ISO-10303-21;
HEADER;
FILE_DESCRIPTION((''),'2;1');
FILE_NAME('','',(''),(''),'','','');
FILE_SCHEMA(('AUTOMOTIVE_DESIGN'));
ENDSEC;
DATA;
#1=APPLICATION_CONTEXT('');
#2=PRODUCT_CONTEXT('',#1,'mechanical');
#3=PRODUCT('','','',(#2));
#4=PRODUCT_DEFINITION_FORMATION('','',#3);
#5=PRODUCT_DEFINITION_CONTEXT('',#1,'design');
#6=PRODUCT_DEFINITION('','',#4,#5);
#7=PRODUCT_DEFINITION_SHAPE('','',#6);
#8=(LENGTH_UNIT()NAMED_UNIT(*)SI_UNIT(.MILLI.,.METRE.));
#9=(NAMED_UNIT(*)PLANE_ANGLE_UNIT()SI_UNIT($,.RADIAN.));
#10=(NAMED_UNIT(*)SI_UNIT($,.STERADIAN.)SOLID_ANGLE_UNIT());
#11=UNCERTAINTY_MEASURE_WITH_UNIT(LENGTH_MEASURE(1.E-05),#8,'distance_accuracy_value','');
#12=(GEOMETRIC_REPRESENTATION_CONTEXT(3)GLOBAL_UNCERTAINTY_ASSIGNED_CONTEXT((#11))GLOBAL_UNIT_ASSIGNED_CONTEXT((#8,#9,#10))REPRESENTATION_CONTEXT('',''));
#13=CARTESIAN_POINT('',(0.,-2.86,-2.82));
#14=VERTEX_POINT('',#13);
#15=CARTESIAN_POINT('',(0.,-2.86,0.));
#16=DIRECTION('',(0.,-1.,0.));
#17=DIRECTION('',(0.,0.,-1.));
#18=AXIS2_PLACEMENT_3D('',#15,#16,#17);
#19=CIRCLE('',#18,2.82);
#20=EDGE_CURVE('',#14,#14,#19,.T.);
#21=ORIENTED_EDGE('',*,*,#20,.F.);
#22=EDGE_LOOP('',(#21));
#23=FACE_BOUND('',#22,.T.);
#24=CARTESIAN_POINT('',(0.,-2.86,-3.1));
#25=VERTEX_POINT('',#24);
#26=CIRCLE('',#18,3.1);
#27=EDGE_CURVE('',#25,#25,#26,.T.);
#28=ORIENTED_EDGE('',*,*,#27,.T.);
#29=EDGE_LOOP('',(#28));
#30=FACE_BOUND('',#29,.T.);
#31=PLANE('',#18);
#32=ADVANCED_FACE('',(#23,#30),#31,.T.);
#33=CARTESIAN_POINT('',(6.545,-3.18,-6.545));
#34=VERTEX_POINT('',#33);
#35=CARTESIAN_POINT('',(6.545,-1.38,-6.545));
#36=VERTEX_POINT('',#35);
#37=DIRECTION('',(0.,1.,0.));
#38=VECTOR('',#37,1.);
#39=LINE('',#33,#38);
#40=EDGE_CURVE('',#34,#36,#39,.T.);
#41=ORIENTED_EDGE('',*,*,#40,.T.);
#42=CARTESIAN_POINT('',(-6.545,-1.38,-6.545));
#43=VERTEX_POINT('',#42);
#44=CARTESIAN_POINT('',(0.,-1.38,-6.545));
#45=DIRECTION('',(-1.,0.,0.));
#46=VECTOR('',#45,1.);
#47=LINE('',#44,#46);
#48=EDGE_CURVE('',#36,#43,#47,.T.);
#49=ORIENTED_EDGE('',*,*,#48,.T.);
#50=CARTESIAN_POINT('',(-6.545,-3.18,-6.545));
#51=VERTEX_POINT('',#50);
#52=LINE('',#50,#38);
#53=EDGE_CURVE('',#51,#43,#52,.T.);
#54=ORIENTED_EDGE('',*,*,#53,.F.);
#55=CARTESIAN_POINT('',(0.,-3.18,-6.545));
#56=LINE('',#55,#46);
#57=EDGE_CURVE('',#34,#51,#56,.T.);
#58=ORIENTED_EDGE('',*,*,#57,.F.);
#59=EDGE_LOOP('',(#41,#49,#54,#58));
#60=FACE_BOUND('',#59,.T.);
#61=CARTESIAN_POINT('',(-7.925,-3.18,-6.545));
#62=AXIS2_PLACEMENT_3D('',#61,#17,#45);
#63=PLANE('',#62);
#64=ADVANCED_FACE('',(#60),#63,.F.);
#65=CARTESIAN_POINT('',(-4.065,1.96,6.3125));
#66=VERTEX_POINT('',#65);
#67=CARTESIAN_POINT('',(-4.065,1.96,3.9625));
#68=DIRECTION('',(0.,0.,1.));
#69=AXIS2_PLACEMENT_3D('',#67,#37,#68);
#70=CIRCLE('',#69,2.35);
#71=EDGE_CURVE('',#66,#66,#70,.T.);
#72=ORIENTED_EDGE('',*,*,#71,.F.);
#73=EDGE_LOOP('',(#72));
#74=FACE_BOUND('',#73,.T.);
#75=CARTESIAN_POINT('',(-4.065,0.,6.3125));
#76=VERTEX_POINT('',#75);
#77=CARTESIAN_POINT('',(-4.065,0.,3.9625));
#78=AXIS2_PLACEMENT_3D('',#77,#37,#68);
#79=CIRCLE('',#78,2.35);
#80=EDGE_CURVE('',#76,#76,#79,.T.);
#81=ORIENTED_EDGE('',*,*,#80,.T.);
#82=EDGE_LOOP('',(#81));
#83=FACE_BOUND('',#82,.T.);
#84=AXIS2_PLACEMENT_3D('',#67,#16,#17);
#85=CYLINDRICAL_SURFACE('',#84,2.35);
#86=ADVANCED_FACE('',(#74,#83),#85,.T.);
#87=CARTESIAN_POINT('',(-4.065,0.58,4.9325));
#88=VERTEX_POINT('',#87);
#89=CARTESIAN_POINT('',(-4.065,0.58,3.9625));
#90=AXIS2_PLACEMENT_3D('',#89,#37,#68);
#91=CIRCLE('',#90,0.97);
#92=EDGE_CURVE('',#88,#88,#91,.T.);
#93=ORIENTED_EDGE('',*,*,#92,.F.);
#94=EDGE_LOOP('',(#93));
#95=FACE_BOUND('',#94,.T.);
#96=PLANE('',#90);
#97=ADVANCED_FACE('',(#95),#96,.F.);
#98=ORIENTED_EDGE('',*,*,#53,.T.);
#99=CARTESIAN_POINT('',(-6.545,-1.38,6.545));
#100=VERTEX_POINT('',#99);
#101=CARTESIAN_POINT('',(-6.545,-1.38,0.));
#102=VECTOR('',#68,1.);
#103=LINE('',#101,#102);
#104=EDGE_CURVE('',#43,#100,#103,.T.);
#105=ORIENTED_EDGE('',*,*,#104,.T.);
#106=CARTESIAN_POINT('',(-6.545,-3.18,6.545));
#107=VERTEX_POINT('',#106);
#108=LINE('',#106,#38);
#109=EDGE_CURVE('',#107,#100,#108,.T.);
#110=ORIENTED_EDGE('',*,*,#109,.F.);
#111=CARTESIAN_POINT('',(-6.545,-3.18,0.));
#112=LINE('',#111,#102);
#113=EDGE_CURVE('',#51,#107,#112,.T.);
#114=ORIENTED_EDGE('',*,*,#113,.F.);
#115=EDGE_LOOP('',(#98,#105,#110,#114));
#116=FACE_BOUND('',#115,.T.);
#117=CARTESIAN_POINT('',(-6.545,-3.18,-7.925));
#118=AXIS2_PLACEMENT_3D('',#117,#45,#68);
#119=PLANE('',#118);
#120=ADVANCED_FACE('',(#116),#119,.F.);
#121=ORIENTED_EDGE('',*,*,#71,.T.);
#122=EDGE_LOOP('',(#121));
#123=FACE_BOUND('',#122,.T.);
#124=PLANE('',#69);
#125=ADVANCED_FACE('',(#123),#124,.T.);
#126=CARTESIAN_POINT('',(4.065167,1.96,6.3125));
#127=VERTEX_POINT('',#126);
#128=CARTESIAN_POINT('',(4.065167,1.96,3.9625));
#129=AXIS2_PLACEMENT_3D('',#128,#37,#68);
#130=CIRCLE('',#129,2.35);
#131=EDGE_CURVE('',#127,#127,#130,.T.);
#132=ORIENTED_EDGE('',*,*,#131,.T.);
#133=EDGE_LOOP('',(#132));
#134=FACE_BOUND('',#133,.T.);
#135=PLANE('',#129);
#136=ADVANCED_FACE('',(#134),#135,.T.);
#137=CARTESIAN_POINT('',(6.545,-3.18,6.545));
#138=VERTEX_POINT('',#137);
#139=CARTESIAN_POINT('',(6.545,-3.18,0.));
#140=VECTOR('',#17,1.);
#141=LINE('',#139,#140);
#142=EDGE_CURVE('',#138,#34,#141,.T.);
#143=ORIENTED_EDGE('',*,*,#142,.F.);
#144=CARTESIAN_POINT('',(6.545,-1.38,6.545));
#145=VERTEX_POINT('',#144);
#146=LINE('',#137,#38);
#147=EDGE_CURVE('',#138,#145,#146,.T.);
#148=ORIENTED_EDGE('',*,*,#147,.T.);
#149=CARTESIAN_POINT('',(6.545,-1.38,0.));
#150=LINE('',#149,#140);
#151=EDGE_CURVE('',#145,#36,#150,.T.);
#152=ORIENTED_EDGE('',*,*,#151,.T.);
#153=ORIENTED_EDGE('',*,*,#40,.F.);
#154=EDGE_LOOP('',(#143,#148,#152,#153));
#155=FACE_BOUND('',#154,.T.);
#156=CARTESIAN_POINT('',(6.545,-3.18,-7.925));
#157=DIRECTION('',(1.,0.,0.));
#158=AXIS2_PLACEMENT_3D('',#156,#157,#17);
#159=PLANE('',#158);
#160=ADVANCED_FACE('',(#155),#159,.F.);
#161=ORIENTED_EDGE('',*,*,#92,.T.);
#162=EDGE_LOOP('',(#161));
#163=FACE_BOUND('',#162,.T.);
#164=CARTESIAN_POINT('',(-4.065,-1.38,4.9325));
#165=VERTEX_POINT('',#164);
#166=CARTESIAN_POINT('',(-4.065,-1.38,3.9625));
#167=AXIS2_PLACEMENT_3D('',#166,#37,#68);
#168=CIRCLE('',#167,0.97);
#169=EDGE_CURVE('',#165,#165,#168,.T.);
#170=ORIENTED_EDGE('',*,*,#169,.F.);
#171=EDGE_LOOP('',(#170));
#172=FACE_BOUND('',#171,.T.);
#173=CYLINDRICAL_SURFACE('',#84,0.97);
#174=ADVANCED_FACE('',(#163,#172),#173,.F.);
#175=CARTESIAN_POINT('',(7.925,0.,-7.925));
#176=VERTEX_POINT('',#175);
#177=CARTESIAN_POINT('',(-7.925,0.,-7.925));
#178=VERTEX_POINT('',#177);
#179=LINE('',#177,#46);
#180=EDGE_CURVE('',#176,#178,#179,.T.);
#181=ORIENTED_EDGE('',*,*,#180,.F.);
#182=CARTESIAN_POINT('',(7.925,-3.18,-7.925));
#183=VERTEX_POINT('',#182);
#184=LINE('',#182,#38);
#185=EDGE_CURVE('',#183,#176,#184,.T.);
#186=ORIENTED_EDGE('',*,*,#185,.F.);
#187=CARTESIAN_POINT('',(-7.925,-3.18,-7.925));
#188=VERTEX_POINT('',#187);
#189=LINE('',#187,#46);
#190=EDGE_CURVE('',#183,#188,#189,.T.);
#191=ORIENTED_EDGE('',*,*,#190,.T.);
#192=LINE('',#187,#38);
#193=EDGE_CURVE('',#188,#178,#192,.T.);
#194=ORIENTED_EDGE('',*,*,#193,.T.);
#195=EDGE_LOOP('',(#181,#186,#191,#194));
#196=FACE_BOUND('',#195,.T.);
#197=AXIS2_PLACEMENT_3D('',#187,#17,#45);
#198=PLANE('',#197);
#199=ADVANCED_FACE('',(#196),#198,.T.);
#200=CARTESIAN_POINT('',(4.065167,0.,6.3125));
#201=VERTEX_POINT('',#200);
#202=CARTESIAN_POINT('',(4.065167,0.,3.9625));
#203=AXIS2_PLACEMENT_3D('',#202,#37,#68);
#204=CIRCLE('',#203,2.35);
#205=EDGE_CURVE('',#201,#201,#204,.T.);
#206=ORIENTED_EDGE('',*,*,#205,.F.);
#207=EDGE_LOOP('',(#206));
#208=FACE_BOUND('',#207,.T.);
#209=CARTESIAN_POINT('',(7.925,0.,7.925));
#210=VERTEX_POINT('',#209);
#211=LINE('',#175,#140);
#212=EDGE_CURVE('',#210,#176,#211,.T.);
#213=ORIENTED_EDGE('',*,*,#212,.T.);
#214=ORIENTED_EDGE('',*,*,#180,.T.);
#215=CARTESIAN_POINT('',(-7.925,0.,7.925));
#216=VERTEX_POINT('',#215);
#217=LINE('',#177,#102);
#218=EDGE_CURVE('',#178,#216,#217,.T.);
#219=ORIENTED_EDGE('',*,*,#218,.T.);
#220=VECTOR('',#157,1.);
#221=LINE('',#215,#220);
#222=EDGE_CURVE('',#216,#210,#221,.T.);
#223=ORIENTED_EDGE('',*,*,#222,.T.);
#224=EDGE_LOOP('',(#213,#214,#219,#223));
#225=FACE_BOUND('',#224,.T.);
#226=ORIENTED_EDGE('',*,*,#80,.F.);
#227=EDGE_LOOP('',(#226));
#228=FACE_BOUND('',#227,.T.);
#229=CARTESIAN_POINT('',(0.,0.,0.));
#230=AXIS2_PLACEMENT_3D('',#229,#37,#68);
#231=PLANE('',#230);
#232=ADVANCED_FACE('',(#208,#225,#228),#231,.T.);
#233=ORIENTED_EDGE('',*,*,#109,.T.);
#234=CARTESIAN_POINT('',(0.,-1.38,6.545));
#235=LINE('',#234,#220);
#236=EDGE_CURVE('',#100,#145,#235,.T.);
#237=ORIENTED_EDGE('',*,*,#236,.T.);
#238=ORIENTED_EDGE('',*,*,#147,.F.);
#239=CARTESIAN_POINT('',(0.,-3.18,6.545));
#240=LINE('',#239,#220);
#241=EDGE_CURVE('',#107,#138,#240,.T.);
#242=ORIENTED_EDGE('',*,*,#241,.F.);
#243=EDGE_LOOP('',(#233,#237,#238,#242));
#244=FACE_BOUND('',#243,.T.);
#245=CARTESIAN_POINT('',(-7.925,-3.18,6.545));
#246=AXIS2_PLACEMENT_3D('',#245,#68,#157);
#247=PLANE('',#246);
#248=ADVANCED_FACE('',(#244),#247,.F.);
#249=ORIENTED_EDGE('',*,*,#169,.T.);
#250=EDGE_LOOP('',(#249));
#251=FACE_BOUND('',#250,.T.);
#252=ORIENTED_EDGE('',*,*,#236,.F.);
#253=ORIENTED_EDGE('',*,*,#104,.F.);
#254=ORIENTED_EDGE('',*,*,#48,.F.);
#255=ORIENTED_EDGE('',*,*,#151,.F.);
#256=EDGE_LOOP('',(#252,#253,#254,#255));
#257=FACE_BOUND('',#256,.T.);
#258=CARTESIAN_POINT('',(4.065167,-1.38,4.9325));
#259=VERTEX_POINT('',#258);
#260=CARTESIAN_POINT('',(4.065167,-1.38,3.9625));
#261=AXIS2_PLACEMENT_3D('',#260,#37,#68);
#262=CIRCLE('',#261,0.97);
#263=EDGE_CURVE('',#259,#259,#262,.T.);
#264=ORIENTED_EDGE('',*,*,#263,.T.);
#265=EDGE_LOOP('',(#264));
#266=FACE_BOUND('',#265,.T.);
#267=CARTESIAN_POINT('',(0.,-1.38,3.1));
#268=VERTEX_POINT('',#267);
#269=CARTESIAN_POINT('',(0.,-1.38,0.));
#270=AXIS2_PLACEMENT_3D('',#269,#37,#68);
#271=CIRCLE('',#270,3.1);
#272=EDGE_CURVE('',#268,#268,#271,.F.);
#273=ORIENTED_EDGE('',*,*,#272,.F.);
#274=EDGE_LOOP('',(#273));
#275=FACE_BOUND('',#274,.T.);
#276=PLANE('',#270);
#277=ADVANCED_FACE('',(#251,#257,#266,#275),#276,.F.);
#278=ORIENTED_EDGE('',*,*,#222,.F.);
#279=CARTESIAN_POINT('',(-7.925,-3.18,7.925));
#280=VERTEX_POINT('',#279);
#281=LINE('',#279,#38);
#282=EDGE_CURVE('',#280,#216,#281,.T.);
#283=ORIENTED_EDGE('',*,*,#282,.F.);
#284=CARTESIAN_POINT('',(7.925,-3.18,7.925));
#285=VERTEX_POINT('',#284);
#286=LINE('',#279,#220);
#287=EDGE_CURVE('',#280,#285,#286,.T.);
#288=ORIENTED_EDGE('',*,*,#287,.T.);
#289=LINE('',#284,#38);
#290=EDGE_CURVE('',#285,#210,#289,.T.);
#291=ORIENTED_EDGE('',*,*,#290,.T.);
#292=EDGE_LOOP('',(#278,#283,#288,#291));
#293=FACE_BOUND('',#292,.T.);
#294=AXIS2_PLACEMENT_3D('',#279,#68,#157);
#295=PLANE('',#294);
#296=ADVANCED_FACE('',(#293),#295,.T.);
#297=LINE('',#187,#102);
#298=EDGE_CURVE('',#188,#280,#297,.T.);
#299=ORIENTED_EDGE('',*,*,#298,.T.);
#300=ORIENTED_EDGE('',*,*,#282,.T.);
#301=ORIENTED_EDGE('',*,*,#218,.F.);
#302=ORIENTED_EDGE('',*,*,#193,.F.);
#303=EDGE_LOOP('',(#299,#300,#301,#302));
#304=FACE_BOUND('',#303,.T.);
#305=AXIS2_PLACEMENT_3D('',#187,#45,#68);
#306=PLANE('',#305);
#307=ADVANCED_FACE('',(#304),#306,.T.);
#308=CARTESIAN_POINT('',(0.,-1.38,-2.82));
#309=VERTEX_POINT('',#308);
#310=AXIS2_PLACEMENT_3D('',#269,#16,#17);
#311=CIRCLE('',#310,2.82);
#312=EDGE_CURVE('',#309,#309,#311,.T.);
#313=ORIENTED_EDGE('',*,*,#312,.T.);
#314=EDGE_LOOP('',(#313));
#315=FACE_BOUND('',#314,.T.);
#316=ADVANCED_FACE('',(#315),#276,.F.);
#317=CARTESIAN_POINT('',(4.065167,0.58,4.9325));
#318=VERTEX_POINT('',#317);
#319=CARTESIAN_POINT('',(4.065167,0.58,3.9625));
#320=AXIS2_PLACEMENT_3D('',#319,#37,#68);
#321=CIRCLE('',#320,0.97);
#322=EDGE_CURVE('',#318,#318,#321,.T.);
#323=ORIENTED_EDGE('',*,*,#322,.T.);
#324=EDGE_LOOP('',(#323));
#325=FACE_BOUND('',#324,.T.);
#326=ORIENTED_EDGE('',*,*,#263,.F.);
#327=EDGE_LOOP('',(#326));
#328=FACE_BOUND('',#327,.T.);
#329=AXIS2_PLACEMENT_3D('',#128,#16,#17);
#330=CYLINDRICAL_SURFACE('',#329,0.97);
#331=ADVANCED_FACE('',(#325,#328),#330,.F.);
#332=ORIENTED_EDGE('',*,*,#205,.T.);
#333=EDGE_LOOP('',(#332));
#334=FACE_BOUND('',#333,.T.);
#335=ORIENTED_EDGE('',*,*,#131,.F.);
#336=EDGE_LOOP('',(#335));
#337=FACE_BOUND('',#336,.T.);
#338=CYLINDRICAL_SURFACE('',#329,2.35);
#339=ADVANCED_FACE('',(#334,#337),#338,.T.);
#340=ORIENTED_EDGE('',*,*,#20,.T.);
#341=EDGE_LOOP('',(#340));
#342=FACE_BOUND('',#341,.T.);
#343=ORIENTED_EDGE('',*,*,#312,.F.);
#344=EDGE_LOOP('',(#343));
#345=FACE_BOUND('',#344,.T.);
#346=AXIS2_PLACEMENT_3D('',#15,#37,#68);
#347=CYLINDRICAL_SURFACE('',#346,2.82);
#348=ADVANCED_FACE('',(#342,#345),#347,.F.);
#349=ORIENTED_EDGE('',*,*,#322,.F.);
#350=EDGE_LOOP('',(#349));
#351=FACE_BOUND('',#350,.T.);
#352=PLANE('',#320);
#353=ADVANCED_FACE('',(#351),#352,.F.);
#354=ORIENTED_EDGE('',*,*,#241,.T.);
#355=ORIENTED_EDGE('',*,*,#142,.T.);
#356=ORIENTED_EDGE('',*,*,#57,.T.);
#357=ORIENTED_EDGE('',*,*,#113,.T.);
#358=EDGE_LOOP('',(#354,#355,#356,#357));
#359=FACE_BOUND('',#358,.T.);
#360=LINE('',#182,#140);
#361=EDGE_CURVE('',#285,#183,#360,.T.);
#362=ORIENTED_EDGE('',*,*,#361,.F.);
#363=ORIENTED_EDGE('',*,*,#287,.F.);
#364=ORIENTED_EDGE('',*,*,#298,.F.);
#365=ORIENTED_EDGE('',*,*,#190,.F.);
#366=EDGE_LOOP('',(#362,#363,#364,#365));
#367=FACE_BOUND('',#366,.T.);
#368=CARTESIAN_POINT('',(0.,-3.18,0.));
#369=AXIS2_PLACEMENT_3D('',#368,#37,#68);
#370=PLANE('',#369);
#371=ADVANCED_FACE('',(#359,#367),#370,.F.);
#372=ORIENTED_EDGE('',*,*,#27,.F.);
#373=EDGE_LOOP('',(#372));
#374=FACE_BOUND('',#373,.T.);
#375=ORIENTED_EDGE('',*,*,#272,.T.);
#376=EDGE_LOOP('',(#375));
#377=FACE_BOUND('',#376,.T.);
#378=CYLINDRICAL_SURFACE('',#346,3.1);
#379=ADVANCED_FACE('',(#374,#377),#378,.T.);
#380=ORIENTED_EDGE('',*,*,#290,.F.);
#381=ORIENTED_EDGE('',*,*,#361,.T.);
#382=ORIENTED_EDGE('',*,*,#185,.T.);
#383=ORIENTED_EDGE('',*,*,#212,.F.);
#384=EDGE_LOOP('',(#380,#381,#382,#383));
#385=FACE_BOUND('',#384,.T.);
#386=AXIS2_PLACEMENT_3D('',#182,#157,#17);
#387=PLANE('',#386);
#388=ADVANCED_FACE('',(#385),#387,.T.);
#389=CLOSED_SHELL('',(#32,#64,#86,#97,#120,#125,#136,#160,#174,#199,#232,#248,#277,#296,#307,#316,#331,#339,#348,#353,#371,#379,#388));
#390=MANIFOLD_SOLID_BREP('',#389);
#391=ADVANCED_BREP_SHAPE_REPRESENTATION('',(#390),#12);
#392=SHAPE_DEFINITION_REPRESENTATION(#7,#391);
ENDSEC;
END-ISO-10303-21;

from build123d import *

# Parameters (mm, degrees)
SKETCH1_W           = 15.85
SKETCH1_H           = 15.85
BOSS_EXTRUDE1_DEPTH = 3.18
SKETCH2_R           = 2.35
BOSS_EXTRUDE2_DEPTH = 1.96
SHELL1_T            = -1.38
SKETCH3_R           = 3.1
SKETCH3_R_2         = 2.82
BOSS_EXTRUDE3_DEPTH = 1.48


with BuildPart() as part:
    # Sketch1 → Boss-Extrude1 (new body)
    with BuildSketch(Plane(origin=(0, 0, 0), x_dir=(1, 0, 0), z_dir=(0, 1, 0))):
        Rectangle(SKETCH1_W, SKETCH1_H)
    extrude(amount=-BOSS_EXTRUDE1_DEPTH)

    # Sketch2 → Boss-Extrude2 (add)
    with BuildSketch(Plane(origin=(0, 0, 0), x_dir=(1, 0, 0), z_dir=(0, 1, 0))):
        with Locations(Location((-4.065, -3.9625, 0), (0, 0, 270))):
            Circle(SKETCH2_R)
        with Locations(Location((4.065166585, -3.9625, 0), (0, 0, 270))):
            Circle(SKETCH2_R)
    extrude(amount=BOSS_EXTRUDE2_DEPTH)

    # Shell1
    shell1_openings = [part.faces().sort_by_distance(p)[0] for p in [
        (0, -3.18, 0),
    ]]
    offset(amount=SHELL1_T, openings=shell1_openings, kind=Kind.INTERSECTION)

    # Sketch3 → Boss-Extrude3 (add)
    with BuildSketch(Plane.XZ.offset(1.38)):
        with Locations(Location((0, 0, 0), (0, 0, 90))):
            Circle(SKETCH3_R)
        with Locations(Location((0, 0, 0), (0, 0, 270))):
            Circle(SKETCH3_R_2, mode=Mode.SUBTRACT)
    extrude(amount=BOSS_EXTRUDE3_DEPTH)


solid = part.part
